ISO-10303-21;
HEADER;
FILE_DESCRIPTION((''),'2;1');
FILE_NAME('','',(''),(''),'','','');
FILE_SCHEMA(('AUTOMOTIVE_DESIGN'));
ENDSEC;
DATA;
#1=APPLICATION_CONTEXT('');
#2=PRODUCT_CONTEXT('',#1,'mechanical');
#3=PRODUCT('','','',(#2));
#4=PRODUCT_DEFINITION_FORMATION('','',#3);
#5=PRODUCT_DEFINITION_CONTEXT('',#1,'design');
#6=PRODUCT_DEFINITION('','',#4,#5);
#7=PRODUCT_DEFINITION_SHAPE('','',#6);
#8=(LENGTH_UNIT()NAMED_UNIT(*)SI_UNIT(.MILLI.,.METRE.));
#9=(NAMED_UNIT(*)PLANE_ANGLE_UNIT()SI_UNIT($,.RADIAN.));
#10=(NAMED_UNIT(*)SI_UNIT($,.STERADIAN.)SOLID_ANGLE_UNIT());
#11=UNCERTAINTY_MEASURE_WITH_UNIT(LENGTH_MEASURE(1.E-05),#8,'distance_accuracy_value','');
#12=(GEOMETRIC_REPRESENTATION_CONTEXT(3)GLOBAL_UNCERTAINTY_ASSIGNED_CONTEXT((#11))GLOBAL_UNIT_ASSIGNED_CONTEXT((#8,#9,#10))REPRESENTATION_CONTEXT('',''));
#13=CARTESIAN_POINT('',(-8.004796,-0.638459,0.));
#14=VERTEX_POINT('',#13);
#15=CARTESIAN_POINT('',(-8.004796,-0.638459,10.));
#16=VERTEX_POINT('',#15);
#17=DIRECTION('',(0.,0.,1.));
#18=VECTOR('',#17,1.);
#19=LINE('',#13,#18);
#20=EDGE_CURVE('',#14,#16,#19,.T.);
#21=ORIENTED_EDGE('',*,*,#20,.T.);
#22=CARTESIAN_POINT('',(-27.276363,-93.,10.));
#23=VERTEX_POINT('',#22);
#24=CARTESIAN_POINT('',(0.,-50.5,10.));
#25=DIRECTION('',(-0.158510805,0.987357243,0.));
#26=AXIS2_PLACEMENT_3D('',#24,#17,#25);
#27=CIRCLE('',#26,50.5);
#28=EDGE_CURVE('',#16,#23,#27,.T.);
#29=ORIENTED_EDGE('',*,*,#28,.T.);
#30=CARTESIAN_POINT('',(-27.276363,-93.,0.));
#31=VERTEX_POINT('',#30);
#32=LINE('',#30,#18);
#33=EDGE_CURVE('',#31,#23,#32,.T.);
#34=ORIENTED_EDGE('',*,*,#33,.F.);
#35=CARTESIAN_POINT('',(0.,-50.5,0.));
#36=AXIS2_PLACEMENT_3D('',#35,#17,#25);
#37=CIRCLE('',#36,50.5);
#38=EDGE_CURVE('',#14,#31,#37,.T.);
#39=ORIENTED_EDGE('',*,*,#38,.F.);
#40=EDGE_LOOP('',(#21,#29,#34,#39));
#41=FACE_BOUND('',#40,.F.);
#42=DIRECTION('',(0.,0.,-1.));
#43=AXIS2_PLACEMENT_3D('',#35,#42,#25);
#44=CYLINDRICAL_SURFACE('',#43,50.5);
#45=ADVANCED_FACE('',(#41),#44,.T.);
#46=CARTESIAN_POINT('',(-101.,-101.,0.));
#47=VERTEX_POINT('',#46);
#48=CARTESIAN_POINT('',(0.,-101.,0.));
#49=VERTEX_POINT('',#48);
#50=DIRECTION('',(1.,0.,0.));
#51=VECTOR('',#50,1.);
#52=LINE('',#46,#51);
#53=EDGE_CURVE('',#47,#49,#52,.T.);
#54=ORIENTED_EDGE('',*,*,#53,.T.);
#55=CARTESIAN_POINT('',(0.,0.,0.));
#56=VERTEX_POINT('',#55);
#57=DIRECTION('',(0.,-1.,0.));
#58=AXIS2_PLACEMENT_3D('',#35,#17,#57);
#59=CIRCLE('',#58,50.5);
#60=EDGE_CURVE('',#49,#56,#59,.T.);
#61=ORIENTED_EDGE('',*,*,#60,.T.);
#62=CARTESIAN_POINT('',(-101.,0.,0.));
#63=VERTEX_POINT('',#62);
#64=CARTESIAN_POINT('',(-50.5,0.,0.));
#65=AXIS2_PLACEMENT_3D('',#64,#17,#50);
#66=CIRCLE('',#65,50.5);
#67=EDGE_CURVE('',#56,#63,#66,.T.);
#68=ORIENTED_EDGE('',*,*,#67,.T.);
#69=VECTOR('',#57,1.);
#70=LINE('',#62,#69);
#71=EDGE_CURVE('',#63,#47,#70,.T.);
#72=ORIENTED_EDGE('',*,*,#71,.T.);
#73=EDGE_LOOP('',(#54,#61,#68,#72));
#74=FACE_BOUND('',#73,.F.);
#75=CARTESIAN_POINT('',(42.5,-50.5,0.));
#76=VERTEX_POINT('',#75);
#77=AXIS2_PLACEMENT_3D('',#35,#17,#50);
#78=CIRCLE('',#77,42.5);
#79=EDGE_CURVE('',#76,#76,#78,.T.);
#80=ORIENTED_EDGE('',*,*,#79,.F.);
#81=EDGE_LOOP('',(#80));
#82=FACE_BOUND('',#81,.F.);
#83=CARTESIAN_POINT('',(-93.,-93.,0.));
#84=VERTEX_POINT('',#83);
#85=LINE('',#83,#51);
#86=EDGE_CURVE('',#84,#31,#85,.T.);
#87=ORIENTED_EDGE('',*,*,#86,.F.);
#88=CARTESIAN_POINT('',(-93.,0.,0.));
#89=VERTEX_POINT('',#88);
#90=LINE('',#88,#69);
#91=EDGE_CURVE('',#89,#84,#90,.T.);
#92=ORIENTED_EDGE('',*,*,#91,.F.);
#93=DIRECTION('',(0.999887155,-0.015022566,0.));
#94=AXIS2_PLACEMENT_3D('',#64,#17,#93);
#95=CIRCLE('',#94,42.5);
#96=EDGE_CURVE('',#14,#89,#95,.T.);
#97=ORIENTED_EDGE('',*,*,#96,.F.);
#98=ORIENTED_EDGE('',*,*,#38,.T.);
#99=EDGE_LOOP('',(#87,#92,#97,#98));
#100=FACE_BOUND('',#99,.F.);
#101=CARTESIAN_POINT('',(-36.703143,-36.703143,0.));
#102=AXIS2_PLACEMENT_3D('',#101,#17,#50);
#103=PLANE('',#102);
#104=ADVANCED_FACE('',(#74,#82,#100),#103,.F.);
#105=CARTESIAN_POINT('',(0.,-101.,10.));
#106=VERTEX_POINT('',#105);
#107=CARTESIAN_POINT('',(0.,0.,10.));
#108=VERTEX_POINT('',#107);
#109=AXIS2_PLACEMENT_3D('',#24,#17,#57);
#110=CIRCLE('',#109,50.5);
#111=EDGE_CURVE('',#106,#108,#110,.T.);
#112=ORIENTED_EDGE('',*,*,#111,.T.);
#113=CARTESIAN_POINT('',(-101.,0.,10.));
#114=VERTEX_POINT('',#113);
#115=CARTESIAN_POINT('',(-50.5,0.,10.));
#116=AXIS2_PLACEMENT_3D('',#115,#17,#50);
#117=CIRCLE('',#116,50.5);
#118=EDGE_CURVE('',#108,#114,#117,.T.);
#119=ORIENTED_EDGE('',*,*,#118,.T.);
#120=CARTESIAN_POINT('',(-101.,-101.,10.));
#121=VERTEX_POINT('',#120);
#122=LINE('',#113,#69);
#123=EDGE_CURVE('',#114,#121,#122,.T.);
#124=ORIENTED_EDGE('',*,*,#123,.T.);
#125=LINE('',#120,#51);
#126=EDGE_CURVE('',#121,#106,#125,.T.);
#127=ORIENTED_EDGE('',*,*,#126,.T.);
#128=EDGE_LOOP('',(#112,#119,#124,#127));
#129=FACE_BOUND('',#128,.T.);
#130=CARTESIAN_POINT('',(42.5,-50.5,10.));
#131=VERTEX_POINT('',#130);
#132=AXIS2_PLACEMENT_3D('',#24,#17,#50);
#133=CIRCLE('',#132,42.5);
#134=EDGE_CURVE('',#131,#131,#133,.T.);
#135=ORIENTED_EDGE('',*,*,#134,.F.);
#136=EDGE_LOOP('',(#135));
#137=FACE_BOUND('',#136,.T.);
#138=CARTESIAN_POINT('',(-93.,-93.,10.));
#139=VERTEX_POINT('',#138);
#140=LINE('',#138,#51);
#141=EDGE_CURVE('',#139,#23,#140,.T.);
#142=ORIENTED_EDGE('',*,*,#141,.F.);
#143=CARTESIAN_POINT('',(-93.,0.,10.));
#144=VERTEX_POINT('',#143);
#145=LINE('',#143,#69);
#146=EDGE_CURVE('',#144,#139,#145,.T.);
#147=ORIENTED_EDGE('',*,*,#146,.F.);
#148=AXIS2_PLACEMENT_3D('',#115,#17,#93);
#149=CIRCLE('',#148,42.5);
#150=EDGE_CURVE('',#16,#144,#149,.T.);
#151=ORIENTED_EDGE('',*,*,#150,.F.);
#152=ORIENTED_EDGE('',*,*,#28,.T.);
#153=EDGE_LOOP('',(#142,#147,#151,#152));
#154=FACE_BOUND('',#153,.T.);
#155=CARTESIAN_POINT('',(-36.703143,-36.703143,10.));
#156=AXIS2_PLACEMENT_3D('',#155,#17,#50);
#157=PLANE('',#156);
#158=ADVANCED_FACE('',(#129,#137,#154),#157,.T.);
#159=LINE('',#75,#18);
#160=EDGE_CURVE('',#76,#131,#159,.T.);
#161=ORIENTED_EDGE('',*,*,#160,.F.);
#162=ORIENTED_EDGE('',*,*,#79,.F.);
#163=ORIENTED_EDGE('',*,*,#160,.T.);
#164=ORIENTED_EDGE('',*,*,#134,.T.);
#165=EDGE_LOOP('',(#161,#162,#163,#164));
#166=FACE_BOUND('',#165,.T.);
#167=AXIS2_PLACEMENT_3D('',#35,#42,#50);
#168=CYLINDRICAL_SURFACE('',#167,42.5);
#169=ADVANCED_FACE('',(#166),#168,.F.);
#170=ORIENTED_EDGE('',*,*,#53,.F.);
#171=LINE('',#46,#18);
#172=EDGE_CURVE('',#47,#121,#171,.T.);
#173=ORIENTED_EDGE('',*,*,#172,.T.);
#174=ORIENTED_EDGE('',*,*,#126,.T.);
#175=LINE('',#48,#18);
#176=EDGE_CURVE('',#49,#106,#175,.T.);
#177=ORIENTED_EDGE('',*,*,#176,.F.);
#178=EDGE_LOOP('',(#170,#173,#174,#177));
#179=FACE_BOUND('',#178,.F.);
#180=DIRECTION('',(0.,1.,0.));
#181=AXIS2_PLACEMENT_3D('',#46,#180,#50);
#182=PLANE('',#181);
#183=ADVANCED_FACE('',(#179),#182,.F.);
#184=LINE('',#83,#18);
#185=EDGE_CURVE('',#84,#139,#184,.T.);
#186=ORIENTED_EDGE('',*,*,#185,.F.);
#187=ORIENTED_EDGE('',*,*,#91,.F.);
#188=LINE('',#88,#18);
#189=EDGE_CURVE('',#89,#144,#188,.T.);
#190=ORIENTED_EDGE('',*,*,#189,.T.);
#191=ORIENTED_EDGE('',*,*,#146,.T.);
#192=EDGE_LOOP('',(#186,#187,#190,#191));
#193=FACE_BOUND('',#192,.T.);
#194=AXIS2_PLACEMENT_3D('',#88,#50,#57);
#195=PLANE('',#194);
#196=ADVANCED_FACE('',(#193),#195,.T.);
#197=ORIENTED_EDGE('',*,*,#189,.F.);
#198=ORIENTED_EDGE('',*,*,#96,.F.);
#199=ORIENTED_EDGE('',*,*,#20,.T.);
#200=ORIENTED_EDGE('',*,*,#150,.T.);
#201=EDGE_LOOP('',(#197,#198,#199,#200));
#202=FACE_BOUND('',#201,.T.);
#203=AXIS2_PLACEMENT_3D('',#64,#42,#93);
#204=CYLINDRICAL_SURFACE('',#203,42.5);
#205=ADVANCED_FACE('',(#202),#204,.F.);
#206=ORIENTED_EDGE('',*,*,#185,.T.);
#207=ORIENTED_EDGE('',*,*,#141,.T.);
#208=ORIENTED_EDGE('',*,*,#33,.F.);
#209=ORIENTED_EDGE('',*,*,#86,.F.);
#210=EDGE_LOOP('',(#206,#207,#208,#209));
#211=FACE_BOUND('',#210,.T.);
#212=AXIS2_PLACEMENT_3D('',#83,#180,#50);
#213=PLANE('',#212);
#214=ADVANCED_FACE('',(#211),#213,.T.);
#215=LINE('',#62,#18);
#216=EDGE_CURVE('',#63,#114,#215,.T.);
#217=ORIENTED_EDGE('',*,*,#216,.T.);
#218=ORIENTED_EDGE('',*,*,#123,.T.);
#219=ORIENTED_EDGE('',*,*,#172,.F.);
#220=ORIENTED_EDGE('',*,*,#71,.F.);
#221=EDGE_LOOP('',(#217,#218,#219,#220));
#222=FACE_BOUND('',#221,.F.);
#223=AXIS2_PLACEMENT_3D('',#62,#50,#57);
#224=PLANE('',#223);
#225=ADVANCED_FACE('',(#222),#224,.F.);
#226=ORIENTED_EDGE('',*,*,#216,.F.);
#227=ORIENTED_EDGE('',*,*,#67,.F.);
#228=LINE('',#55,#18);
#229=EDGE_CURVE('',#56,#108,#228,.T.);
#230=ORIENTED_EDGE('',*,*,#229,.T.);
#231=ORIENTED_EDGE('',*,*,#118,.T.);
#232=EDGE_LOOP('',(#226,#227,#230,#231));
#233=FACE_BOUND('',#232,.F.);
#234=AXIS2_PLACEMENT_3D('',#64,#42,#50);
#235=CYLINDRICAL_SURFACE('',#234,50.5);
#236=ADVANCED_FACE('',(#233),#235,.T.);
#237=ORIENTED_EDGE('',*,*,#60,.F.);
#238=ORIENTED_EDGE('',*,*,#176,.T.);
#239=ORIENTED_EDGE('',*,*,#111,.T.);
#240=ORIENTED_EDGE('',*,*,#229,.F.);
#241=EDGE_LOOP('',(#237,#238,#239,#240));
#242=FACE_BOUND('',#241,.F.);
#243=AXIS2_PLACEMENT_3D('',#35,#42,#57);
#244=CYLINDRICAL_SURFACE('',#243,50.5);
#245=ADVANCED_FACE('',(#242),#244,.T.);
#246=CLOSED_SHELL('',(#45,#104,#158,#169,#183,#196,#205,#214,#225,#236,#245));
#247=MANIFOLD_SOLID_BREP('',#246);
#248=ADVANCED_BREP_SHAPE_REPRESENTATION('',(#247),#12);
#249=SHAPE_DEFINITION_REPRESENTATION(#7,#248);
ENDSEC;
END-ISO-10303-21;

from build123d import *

# Parameters (mm, degrees)
SKETCH_R  = 42.5
PAD_DEPTH = 10


with BuildPart() as part:
    # Sketch → Pad (new body)
    with BuildSketch(Plane.XY):
        with BuildLine():
            Line((-101, 0), (-101, -101))
            Line((-101, -101), (0, -101))
            ThreePointArc((0, -101), (50.5, -50.5), (0, 0))
            ThreePointArc((0, 0), (-50.5, 50.5), (-101, 0))
        make_face()
        with Locations((0, -50.5)):
            Circle(SKETCH_R, mode=Mode.SUBTRACT)
        with BuildLine():
            ThreePointArc((-8.004796, -0.638459), (-49.435348, -40.185137), (-27.276363, -93))
            Line((-93, -93), (-27.276363, -93))
            Line((-93, 0), (-93, -93))
            ThreePointArc((-8.004796, -0.638459), (-50.180761, 42.498801), (-93, 0))
        make_face(mode=Mode.SUBTRACT)
    extrude(amount=PAD_DEPTH)


solid = part.part
